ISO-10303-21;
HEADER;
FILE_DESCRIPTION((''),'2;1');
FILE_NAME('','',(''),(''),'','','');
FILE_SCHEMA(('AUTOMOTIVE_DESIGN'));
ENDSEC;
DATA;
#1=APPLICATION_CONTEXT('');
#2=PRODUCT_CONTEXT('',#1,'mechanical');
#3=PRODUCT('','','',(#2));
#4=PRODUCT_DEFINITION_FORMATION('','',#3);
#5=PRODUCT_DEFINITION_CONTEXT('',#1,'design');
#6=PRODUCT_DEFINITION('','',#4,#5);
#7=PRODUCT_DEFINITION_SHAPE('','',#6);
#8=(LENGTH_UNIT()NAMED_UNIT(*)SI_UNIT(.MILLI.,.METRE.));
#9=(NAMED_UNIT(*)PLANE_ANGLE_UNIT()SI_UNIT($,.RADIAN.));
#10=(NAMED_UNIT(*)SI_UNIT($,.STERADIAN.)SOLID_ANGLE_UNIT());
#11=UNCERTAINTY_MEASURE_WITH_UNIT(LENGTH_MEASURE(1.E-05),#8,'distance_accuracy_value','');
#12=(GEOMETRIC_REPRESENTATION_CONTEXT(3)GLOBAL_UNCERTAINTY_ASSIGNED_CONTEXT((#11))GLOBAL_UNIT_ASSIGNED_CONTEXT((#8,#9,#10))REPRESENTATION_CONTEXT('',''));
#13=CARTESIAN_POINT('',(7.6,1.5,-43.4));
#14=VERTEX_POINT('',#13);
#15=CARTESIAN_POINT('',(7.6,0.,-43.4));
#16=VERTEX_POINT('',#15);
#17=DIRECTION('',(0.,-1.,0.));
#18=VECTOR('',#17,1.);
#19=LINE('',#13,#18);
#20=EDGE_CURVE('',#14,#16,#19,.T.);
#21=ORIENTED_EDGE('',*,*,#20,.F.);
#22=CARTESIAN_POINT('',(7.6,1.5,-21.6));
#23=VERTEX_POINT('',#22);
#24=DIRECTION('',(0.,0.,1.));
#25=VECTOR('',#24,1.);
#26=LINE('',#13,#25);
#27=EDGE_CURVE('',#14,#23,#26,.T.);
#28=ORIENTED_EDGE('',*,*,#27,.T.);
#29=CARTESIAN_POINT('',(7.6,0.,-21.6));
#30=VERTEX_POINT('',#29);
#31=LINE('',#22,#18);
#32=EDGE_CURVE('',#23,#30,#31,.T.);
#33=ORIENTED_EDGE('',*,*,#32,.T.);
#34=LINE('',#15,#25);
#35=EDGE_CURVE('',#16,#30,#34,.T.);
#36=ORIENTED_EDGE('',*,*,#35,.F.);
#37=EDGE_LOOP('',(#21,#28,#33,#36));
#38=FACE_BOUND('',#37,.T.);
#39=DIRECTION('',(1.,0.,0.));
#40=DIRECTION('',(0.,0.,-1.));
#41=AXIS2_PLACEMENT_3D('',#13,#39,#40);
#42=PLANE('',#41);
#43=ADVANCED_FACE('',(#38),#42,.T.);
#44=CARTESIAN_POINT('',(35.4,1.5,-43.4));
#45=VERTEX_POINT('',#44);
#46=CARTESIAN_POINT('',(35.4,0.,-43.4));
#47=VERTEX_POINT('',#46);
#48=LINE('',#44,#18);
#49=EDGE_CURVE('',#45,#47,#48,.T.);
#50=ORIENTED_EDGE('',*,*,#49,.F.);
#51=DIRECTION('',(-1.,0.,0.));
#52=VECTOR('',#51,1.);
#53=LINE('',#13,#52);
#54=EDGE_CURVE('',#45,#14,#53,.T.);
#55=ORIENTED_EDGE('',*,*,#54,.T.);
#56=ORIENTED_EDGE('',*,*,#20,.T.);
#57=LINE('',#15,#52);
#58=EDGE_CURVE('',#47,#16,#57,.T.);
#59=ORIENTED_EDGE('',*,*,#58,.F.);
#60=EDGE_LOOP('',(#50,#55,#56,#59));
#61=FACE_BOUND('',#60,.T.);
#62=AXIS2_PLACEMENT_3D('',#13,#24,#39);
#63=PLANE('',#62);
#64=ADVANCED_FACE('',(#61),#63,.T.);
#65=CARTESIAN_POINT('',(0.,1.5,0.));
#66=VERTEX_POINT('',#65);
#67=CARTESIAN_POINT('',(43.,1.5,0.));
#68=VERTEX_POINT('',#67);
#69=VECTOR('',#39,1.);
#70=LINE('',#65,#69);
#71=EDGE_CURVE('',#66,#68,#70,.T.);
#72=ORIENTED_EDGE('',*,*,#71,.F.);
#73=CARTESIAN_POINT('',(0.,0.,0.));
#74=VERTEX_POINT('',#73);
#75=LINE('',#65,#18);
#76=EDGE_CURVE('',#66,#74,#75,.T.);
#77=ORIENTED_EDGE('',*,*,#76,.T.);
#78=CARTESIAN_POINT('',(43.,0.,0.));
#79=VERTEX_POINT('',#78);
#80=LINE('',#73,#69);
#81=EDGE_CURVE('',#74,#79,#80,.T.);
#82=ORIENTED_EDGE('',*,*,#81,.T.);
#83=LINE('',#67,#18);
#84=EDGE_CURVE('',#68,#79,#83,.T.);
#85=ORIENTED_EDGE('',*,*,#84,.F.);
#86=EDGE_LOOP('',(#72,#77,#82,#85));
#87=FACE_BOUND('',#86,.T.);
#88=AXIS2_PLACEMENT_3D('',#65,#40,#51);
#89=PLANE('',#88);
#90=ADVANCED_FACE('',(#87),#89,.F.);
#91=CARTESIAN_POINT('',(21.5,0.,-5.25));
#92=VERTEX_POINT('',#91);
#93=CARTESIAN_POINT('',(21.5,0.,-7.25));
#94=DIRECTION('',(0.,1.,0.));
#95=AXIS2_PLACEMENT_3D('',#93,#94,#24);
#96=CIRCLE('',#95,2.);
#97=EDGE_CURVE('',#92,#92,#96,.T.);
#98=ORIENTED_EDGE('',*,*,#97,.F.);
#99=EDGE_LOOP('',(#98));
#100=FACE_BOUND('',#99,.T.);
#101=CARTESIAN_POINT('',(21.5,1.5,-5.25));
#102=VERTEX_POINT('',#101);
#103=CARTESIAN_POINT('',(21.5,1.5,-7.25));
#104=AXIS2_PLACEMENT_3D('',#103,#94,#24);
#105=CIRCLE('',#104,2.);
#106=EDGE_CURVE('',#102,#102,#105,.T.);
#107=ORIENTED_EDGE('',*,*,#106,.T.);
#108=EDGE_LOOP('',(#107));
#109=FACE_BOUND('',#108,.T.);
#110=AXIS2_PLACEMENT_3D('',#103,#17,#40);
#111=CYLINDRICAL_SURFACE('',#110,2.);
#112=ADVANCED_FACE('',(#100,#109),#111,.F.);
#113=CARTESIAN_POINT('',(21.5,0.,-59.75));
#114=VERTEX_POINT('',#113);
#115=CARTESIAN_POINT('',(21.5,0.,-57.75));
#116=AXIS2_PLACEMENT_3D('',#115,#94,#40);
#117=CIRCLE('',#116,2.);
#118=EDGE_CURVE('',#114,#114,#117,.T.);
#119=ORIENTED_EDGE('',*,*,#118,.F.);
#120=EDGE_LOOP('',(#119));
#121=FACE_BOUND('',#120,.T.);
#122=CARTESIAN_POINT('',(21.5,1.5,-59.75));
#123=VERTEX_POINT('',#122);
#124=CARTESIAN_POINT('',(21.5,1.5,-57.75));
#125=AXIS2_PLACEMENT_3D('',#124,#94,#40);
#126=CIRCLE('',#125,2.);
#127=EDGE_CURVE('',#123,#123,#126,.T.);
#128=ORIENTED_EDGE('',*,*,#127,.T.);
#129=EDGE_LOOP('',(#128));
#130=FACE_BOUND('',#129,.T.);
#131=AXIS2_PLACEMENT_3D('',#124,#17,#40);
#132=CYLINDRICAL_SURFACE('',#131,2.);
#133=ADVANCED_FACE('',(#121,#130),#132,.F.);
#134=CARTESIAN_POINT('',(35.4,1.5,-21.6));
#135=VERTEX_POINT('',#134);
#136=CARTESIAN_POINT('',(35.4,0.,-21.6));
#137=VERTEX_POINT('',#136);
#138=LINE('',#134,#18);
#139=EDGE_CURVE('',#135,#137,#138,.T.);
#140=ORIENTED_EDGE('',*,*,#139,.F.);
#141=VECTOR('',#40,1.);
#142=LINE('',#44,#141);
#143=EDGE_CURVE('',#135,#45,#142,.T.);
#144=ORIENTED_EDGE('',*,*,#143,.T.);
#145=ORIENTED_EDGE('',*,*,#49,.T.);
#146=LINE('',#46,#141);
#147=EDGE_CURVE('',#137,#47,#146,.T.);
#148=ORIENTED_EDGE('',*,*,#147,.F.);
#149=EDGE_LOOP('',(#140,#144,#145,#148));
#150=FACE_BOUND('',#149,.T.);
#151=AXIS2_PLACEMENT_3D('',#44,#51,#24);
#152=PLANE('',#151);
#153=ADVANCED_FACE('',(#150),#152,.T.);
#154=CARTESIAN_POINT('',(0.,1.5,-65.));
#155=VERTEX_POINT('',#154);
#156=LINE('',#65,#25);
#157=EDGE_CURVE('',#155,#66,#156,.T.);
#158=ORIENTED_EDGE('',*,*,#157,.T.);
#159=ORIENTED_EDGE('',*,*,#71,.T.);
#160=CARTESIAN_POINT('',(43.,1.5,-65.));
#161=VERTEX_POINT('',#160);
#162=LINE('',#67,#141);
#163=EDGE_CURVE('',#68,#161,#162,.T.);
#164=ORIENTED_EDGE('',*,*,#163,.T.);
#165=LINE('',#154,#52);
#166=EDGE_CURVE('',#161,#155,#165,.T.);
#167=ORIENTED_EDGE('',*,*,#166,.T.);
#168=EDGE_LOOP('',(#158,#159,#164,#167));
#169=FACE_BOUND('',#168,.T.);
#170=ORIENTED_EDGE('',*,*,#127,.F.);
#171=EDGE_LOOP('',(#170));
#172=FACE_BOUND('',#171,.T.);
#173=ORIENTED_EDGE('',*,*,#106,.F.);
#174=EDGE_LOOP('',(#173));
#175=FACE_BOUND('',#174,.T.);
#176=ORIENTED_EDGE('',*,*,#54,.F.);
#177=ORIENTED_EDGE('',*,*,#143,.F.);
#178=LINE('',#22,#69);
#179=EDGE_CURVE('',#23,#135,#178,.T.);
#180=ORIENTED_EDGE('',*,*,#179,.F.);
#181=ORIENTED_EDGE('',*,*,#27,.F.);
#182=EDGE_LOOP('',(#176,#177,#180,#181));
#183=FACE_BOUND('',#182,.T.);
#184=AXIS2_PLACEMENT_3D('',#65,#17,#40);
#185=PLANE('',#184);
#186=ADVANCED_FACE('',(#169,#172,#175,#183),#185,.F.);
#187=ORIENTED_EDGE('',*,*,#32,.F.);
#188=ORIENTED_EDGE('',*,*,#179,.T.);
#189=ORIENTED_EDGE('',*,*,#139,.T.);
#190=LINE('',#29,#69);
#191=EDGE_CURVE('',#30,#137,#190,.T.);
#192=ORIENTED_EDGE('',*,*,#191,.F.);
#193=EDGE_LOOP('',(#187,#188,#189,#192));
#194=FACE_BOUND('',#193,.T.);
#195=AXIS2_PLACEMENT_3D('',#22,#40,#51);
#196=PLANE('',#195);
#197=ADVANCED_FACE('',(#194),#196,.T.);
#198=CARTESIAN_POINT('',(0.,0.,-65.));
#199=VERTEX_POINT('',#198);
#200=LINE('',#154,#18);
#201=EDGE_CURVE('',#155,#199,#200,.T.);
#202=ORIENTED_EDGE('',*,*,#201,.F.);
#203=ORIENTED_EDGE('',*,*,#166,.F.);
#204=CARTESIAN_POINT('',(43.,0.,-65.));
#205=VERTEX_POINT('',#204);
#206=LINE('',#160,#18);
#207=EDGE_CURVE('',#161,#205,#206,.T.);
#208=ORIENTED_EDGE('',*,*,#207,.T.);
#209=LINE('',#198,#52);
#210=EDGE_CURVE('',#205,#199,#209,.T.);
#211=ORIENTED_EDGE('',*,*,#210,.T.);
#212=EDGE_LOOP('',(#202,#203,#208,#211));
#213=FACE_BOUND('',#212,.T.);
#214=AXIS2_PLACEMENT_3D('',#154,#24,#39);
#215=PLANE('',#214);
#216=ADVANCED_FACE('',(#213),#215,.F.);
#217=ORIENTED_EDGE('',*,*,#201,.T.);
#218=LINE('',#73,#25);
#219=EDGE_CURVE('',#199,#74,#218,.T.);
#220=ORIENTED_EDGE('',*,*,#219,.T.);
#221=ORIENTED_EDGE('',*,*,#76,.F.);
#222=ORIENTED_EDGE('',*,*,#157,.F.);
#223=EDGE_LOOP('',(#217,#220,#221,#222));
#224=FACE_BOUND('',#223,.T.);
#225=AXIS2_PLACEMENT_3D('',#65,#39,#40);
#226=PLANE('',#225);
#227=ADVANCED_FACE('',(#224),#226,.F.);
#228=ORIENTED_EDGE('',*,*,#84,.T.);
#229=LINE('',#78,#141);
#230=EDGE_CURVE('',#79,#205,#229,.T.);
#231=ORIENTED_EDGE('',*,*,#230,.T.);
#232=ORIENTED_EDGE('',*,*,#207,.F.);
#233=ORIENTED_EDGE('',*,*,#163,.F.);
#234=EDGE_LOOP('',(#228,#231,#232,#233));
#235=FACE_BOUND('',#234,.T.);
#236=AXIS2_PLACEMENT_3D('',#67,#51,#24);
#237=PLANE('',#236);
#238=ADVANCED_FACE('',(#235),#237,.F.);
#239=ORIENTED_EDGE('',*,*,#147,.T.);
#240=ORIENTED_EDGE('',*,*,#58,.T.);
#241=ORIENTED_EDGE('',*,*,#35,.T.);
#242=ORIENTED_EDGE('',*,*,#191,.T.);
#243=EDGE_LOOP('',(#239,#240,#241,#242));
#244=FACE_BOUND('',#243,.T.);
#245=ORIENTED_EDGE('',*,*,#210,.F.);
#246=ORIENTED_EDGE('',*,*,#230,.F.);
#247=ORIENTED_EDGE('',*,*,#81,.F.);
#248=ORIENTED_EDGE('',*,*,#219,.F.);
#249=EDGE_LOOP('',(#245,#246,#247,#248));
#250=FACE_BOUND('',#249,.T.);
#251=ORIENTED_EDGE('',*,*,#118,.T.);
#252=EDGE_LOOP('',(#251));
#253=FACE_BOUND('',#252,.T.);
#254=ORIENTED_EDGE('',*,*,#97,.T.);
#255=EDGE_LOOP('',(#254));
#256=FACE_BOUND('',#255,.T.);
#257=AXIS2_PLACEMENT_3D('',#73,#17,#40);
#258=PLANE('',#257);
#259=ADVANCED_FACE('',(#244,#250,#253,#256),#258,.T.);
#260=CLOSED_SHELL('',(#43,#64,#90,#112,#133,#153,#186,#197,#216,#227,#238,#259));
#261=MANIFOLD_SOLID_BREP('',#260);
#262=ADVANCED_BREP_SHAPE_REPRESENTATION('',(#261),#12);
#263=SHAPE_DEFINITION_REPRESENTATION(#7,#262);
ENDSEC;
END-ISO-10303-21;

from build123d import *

# Parameters (mm, degrees)
SKETCH_1_W      = 43
SKETCH_1_H      = 65
SKETCH_1_R      = 2
SKETCH_1_W_2    = 27.8
SKETCH_1_H_2    = 21.8
EXTRUDE_1_DEPTH = 1.5


with BuildPart() as part:
    # Эскиз1 → Бобышка-Вытянуть1 (new body)
    with BuildSketch(Plane(origin=(0, 0, 0), x_dir=(1, 0, 0), z_dir=(0, 1, 0))):
        with Locations((21.5, 32.5)):
            Rectangle(SKETCH_1_W, SKETCH_1_H)
        with Locations((21.5, 7.25)):
            Circle(SKETCH_1_R, mode=Mode.SUBTRACT)
        with Locations((21.5, 57.75)):
            Circle(SKETCH_1_R, mode=Mode.SUBTRACT)
        with Locations((21.5, 32.5)):
            Rectangle(SKETCH_1_W_2, SKETCH_1_H_2, mode=Mode.SUBTRACT)
    extrude(amount=EXTRUDE_1_DEPTH)


solid = part.part
